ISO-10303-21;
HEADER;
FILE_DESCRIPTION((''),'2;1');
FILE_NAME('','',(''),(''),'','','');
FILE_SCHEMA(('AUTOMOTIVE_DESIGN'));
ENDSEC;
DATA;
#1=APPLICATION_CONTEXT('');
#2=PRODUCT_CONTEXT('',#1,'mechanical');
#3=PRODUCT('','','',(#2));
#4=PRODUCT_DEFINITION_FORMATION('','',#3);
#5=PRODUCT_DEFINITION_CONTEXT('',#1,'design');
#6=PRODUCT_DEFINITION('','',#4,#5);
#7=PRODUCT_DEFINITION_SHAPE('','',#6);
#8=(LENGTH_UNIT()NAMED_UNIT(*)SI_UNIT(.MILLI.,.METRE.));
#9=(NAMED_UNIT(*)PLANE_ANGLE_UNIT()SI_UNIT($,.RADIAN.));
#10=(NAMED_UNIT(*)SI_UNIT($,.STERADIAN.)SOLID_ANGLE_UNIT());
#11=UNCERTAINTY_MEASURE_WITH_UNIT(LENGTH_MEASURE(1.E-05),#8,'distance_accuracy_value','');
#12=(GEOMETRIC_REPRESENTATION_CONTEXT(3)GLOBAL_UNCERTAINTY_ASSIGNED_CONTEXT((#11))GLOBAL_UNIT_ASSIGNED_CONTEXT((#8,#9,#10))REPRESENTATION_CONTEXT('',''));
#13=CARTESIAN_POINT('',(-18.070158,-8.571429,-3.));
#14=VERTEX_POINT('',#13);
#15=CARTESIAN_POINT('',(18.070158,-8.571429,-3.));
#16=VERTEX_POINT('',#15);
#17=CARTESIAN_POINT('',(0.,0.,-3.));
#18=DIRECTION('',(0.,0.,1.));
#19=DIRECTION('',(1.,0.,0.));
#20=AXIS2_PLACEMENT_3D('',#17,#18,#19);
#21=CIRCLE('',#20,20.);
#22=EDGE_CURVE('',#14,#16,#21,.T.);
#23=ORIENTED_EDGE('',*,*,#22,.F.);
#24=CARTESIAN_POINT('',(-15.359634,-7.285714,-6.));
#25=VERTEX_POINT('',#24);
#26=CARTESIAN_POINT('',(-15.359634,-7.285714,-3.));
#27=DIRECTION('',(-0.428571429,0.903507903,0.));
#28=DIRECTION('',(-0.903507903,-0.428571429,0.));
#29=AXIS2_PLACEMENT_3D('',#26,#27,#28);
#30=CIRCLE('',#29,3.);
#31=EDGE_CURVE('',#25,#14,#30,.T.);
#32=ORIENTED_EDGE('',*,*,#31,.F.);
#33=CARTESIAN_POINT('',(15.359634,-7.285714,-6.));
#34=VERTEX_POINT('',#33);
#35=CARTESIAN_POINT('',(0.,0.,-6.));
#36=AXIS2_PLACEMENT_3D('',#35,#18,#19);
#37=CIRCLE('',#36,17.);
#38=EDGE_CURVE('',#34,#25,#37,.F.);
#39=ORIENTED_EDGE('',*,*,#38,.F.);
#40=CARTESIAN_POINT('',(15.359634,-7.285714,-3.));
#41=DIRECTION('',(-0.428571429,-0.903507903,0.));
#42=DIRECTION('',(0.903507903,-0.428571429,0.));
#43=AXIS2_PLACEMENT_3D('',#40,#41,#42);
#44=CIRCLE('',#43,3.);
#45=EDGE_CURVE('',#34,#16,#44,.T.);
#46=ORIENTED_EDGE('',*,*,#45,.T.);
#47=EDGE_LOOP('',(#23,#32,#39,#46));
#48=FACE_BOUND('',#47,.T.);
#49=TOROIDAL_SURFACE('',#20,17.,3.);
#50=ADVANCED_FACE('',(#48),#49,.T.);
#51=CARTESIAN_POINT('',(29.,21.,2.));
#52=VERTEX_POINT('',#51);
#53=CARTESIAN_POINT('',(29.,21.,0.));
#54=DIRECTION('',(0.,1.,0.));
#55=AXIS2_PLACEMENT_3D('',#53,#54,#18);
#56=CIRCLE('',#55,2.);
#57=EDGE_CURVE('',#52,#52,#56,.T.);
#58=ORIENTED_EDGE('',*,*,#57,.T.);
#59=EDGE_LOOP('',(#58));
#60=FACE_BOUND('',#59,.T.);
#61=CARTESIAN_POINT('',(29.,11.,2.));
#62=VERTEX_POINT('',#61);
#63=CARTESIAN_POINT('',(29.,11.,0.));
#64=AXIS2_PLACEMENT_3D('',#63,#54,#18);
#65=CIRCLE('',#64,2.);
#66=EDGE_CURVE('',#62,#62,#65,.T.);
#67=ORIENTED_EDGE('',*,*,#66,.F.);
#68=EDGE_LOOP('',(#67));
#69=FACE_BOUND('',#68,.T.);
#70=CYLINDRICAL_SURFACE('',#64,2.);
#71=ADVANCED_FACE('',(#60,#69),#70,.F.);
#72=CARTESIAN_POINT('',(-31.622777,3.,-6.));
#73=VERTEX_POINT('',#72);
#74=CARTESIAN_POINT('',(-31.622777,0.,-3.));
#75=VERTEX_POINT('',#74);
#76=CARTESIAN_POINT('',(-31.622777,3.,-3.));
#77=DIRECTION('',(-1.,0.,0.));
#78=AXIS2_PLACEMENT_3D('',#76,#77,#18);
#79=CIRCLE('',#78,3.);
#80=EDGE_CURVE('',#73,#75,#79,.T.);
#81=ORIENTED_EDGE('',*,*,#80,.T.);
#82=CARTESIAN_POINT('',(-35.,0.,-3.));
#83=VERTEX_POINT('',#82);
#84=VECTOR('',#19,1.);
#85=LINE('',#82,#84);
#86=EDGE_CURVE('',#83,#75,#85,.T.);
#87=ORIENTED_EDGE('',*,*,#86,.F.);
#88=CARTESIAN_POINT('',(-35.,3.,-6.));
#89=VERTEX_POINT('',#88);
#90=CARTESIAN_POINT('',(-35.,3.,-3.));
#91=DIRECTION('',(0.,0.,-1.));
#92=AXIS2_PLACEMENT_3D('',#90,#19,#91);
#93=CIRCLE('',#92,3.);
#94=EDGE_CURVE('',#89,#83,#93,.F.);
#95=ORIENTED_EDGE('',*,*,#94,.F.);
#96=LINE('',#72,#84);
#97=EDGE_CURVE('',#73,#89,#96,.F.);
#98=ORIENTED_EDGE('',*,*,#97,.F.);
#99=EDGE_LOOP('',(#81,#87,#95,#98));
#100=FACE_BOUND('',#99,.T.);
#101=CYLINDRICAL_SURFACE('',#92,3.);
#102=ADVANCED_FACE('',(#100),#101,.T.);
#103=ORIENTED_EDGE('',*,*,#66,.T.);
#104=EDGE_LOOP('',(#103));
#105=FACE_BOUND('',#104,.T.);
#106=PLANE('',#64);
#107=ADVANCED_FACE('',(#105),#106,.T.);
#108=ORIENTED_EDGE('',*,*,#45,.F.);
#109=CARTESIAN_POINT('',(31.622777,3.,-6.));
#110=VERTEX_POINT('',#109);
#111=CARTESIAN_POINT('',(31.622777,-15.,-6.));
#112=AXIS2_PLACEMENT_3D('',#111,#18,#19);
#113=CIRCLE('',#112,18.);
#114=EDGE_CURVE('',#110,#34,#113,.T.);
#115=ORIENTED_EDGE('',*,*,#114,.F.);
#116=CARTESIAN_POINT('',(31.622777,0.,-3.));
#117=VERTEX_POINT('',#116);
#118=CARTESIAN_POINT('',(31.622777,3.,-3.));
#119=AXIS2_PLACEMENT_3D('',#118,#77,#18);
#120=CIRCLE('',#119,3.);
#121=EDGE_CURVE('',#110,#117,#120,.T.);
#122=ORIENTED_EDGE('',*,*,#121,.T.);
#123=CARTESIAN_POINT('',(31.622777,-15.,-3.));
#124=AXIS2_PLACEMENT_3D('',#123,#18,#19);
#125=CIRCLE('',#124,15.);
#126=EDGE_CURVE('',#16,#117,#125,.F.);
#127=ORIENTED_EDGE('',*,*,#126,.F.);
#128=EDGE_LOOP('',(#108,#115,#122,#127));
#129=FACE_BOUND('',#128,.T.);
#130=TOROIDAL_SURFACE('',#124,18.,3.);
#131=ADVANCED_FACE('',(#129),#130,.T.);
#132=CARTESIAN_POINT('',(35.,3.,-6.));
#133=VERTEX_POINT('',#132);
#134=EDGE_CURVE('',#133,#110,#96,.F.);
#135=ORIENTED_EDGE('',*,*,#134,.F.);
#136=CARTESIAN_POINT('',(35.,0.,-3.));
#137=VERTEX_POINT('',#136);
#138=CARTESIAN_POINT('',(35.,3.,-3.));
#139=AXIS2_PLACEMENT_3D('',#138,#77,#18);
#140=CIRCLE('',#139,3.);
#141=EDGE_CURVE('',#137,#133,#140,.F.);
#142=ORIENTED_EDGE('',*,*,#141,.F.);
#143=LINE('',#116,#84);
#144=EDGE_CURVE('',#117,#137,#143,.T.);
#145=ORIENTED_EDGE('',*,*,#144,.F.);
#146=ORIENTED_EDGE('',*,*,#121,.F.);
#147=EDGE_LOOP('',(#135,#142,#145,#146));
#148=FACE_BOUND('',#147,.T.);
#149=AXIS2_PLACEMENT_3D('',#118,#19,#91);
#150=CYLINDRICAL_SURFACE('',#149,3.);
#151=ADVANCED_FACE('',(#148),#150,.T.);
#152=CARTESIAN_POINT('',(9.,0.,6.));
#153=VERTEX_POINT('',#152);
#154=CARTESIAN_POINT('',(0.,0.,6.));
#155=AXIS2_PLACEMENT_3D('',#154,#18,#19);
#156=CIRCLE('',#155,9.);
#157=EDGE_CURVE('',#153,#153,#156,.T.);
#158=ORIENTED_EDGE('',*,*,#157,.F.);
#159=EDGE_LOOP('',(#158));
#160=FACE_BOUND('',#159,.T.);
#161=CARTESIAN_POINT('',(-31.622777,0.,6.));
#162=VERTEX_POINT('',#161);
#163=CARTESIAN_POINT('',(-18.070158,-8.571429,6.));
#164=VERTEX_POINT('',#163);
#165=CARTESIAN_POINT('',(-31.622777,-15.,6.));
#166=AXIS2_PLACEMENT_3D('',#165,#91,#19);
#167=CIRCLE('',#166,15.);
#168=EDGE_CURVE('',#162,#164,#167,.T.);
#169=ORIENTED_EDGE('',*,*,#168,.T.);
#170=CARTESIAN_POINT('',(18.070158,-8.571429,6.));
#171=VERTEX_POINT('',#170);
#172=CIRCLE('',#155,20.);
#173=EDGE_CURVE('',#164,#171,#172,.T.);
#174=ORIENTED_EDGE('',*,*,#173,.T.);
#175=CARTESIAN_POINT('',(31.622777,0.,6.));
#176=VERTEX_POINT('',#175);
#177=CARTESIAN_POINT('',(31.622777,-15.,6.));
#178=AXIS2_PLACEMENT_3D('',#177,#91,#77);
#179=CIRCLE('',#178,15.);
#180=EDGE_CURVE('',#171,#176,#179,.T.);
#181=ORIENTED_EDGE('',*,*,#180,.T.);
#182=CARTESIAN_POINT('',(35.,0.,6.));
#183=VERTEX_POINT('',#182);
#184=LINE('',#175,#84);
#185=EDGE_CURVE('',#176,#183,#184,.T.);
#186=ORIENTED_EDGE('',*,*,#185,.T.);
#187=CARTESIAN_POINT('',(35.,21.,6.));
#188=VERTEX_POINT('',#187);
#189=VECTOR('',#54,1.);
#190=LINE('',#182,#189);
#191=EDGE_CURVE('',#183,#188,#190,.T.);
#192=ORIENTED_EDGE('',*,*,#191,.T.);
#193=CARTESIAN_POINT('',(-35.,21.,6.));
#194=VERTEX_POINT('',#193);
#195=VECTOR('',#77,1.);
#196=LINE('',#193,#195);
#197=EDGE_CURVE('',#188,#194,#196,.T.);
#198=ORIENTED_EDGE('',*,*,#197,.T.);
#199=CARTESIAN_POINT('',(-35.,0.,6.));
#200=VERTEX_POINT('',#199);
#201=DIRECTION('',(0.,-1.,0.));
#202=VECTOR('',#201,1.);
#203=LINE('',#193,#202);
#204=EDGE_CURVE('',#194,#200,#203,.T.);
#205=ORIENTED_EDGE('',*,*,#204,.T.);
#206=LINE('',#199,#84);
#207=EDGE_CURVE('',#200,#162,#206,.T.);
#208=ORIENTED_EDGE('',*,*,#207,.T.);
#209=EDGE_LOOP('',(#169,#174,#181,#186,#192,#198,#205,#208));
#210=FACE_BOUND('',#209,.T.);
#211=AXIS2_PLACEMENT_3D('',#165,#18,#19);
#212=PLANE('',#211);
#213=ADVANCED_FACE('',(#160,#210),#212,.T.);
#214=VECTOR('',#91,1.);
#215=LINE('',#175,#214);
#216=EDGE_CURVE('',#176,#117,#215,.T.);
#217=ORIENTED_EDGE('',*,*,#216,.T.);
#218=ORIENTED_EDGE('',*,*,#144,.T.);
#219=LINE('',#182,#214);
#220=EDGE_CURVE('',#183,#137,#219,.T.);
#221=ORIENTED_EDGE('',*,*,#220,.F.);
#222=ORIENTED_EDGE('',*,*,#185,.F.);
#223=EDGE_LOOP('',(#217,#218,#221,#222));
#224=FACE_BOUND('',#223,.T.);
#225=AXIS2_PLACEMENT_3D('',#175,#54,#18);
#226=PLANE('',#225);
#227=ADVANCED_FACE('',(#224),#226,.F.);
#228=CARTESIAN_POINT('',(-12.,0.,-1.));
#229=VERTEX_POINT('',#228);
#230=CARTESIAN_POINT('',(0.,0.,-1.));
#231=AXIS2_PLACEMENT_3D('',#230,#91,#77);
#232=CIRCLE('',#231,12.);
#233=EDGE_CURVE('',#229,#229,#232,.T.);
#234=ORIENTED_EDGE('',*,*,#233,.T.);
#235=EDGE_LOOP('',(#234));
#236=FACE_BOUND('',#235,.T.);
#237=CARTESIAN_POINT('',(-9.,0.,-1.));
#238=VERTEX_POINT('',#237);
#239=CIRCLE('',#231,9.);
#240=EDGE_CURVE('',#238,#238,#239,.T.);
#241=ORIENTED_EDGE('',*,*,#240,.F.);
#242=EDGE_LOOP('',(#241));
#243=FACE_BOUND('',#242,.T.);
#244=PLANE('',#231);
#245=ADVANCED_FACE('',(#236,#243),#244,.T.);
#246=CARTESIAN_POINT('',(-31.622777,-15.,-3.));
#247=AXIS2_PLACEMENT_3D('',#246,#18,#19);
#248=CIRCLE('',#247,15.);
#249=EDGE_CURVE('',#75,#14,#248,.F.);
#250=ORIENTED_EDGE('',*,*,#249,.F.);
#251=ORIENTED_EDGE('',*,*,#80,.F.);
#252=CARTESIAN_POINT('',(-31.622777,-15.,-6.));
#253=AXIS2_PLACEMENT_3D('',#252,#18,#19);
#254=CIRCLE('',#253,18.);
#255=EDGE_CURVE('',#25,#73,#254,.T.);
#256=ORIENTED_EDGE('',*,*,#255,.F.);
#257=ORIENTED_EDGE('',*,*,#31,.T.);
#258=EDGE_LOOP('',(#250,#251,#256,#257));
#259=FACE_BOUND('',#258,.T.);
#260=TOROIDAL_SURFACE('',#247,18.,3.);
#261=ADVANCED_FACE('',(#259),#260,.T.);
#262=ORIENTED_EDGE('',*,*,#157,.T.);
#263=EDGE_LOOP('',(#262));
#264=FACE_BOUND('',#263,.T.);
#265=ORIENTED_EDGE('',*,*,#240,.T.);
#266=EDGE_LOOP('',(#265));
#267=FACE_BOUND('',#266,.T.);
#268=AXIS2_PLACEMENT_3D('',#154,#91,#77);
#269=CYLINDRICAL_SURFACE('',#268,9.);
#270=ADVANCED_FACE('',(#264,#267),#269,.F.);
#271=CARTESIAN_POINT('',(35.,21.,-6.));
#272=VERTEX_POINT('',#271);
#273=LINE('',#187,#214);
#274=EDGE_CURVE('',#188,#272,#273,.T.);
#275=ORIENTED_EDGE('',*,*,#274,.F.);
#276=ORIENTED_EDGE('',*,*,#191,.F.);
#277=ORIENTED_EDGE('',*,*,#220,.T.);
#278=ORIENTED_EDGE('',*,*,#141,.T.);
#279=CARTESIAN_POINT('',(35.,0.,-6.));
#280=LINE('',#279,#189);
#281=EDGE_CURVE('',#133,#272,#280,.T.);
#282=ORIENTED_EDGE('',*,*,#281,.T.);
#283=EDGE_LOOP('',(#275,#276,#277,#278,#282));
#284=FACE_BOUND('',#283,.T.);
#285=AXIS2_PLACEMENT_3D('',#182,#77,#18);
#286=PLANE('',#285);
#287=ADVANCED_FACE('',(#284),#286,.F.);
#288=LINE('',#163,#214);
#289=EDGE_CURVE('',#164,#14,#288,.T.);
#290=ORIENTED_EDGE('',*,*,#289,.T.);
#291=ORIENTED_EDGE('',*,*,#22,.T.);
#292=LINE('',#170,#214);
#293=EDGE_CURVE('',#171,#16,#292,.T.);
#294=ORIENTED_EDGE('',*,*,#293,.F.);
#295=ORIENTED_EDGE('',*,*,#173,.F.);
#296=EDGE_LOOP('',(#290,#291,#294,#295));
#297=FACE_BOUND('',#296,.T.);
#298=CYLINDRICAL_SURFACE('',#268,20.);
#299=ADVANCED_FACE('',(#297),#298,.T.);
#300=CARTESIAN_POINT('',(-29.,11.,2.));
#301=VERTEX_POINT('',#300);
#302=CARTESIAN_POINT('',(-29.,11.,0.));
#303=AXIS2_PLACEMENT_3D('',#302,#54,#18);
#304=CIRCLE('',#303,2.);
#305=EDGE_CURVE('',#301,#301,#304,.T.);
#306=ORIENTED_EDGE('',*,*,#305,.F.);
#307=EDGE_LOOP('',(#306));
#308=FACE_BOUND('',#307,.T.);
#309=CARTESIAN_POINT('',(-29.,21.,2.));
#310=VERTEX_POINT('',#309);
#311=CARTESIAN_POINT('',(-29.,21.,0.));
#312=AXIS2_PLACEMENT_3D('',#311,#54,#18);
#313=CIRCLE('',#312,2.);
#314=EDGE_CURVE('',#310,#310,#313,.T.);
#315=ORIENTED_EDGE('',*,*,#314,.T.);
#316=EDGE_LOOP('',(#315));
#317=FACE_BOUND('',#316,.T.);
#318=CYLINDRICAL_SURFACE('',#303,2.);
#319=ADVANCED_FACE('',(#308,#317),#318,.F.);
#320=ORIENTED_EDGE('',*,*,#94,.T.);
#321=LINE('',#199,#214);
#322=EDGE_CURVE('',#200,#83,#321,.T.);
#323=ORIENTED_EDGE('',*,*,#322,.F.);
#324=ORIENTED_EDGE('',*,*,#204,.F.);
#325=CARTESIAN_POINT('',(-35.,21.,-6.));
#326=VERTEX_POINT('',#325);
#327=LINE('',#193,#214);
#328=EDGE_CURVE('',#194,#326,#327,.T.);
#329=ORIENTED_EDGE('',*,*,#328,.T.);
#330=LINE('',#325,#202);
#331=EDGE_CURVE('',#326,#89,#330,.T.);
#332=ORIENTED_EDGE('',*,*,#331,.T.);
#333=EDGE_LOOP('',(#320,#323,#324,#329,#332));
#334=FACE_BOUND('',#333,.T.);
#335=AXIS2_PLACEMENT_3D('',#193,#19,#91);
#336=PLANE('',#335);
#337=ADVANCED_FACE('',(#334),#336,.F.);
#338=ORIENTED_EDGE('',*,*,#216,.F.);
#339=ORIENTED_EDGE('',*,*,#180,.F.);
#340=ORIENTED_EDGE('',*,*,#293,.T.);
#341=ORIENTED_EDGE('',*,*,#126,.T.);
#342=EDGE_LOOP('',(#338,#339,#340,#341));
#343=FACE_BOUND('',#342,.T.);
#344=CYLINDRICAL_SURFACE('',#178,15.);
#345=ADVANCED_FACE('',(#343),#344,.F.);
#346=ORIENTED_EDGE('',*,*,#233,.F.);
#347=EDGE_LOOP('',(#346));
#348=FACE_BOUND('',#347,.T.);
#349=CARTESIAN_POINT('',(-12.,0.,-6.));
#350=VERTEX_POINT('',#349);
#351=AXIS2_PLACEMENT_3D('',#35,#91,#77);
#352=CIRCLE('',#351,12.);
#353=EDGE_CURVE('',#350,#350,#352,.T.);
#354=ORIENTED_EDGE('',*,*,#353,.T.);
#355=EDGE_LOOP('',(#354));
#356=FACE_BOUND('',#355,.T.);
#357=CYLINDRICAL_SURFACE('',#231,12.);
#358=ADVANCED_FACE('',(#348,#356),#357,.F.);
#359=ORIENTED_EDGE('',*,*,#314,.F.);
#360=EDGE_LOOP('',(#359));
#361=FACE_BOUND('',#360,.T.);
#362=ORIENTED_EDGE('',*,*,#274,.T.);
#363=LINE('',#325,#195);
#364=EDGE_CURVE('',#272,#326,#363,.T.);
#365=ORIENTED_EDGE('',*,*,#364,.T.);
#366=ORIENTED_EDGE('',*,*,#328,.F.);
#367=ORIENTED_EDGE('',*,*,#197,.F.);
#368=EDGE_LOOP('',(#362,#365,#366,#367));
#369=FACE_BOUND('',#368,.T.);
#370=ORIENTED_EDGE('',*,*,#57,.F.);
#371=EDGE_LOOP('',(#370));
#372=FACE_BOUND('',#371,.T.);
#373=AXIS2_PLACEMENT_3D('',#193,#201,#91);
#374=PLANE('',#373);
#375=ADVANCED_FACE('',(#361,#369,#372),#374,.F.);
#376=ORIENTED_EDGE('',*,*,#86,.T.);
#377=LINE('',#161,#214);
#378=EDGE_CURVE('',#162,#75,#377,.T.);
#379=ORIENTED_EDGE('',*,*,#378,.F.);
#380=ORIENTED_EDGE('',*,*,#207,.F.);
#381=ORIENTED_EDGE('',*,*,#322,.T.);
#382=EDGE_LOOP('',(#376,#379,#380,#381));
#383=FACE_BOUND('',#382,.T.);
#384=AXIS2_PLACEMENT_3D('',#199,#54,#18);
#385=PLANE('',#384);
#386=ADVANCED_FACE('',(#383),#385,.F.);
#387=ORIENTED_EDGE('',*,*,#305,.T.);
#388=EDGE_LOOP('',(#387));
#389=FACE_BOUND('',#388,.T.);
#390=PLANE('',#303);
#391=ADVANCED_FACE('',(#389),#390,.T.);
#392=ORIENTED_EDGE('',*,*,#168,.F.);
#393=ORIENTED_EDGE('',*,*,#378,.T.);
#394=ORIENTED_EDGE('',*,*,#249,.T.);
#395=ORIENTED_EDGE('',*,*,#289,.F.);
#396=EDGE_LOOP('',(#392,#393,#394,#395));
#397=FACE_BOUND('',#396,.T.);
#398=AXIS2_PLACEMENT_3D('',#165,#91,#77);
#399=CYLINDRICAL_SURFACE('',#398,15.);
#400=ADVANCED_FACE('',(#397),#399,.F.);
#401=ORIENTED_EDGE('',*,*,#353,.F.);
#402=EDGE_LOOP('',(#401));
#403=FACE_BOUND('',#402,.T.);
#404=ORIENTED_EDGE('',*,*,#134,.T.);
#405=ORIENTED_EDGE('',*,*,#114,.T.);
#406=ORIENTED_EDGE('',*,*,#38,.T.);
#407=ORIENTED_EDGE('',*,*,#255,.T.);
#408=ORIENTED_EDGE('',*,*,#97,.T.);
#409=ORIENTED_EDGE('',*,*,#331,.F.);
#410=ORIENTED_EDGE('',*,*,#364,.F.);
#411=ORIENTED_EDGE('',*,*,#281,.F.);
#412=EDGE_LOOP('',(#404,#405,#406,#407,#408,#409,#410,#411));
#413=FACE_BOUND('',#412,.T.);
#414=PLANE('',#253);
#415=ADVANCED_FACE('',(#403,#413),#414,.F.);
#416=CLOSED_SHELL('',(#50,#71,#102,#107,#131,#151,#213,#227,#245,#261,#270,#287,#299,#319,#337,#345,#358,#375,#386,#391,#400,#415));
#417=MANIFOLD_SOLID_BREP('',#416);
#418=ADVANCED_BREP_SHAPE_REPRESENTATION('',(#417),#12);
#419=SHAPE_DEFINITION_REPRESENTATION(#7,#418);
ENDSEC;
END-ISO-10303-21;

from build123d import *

# Parameters (mm, degrees)
SKETCH1_R           = 9
BOSS_EXTRUDE1_DEPTH = 6
SKETCH2_R           = 12
CUT_EXTRUDE1_DEPTH  = 5
SKETCH3_R           = 2
CUT_EXTRUDE2_DEPTH  = 10
FILLET1_R           = 3


with BuildPart() as part:
    # Sketch1 → Boss-Extrude1 (new body, symmetric)
    with BuildSketch(Plane.XY):
        with BuildLine():
            Line((-35, 21), (35, 21))
            Line((35, 21), (35, 0))
            Line((35, 0), (31.622776602, 0))
            ThreePointArc((31.622776602, 0), (23.604939344, -2.322686179), (18.070158058, -8.571428571))
            ThreePointArc((18.070158058, -8.571428571), (0, -20), (-18.070158058, -8.571428571))
            ThreePointArc((-18.070158058, -8.571428571), (-23.604939344, -2.322686179), (-31.622776602, 0))
            Line((-31.622776602, 0), (-35, 0))
            Line((-35, 0), (-35, 21))
        make_face()
        Circle(SKETCH1_R, mode=Mode.SUBTRACT)
    extrude(amount=BOSS_EXTRUDE1_DEPTH, both=True)

    # Sketch2 → Cut-Extrude1 (cut)
    with BuildSketch(Plane(origin=(0, 0, -6), x_dir=(-1, 0, 0), z_dir=(0, 0, -1))):
        Circle(SKETCH2_R)
    extrude(amount=-CUT_EXTRUDE1_DEPTH, mode=Mode.SUBTRACT)

    # Sketch3 → Cut-Extrude2 (cut)
    with BuildSketch(Plane(origin=(0, 21, 0), x_dir=(1, 0, 0), z_dir=(0, 1, 0))):
        with Locations((-29, 0)):
            Circle(SKETCH3_R)
        with Locations((29, 0)):
            Circle(SKETCH3_R)
    extrude(amount=-CUT_EXTRUDE2_DEPTH, mode=Mode.SUBTRACT)

    # Fillet1
    fillet1_edges = [part.edges().sort_by_distance(p)[0] for p in [
        (0, -20, -6),
        (-23.604939344, -2.322686179, -6),
        (-33.311388301, 0, -6),
        (33.311388301, 0, -6),
        (23.604939344, -2.322686179, -6),
    ]]
    fillet(fillet1_edges, radius=FILLET1_R)


solid = part.part
